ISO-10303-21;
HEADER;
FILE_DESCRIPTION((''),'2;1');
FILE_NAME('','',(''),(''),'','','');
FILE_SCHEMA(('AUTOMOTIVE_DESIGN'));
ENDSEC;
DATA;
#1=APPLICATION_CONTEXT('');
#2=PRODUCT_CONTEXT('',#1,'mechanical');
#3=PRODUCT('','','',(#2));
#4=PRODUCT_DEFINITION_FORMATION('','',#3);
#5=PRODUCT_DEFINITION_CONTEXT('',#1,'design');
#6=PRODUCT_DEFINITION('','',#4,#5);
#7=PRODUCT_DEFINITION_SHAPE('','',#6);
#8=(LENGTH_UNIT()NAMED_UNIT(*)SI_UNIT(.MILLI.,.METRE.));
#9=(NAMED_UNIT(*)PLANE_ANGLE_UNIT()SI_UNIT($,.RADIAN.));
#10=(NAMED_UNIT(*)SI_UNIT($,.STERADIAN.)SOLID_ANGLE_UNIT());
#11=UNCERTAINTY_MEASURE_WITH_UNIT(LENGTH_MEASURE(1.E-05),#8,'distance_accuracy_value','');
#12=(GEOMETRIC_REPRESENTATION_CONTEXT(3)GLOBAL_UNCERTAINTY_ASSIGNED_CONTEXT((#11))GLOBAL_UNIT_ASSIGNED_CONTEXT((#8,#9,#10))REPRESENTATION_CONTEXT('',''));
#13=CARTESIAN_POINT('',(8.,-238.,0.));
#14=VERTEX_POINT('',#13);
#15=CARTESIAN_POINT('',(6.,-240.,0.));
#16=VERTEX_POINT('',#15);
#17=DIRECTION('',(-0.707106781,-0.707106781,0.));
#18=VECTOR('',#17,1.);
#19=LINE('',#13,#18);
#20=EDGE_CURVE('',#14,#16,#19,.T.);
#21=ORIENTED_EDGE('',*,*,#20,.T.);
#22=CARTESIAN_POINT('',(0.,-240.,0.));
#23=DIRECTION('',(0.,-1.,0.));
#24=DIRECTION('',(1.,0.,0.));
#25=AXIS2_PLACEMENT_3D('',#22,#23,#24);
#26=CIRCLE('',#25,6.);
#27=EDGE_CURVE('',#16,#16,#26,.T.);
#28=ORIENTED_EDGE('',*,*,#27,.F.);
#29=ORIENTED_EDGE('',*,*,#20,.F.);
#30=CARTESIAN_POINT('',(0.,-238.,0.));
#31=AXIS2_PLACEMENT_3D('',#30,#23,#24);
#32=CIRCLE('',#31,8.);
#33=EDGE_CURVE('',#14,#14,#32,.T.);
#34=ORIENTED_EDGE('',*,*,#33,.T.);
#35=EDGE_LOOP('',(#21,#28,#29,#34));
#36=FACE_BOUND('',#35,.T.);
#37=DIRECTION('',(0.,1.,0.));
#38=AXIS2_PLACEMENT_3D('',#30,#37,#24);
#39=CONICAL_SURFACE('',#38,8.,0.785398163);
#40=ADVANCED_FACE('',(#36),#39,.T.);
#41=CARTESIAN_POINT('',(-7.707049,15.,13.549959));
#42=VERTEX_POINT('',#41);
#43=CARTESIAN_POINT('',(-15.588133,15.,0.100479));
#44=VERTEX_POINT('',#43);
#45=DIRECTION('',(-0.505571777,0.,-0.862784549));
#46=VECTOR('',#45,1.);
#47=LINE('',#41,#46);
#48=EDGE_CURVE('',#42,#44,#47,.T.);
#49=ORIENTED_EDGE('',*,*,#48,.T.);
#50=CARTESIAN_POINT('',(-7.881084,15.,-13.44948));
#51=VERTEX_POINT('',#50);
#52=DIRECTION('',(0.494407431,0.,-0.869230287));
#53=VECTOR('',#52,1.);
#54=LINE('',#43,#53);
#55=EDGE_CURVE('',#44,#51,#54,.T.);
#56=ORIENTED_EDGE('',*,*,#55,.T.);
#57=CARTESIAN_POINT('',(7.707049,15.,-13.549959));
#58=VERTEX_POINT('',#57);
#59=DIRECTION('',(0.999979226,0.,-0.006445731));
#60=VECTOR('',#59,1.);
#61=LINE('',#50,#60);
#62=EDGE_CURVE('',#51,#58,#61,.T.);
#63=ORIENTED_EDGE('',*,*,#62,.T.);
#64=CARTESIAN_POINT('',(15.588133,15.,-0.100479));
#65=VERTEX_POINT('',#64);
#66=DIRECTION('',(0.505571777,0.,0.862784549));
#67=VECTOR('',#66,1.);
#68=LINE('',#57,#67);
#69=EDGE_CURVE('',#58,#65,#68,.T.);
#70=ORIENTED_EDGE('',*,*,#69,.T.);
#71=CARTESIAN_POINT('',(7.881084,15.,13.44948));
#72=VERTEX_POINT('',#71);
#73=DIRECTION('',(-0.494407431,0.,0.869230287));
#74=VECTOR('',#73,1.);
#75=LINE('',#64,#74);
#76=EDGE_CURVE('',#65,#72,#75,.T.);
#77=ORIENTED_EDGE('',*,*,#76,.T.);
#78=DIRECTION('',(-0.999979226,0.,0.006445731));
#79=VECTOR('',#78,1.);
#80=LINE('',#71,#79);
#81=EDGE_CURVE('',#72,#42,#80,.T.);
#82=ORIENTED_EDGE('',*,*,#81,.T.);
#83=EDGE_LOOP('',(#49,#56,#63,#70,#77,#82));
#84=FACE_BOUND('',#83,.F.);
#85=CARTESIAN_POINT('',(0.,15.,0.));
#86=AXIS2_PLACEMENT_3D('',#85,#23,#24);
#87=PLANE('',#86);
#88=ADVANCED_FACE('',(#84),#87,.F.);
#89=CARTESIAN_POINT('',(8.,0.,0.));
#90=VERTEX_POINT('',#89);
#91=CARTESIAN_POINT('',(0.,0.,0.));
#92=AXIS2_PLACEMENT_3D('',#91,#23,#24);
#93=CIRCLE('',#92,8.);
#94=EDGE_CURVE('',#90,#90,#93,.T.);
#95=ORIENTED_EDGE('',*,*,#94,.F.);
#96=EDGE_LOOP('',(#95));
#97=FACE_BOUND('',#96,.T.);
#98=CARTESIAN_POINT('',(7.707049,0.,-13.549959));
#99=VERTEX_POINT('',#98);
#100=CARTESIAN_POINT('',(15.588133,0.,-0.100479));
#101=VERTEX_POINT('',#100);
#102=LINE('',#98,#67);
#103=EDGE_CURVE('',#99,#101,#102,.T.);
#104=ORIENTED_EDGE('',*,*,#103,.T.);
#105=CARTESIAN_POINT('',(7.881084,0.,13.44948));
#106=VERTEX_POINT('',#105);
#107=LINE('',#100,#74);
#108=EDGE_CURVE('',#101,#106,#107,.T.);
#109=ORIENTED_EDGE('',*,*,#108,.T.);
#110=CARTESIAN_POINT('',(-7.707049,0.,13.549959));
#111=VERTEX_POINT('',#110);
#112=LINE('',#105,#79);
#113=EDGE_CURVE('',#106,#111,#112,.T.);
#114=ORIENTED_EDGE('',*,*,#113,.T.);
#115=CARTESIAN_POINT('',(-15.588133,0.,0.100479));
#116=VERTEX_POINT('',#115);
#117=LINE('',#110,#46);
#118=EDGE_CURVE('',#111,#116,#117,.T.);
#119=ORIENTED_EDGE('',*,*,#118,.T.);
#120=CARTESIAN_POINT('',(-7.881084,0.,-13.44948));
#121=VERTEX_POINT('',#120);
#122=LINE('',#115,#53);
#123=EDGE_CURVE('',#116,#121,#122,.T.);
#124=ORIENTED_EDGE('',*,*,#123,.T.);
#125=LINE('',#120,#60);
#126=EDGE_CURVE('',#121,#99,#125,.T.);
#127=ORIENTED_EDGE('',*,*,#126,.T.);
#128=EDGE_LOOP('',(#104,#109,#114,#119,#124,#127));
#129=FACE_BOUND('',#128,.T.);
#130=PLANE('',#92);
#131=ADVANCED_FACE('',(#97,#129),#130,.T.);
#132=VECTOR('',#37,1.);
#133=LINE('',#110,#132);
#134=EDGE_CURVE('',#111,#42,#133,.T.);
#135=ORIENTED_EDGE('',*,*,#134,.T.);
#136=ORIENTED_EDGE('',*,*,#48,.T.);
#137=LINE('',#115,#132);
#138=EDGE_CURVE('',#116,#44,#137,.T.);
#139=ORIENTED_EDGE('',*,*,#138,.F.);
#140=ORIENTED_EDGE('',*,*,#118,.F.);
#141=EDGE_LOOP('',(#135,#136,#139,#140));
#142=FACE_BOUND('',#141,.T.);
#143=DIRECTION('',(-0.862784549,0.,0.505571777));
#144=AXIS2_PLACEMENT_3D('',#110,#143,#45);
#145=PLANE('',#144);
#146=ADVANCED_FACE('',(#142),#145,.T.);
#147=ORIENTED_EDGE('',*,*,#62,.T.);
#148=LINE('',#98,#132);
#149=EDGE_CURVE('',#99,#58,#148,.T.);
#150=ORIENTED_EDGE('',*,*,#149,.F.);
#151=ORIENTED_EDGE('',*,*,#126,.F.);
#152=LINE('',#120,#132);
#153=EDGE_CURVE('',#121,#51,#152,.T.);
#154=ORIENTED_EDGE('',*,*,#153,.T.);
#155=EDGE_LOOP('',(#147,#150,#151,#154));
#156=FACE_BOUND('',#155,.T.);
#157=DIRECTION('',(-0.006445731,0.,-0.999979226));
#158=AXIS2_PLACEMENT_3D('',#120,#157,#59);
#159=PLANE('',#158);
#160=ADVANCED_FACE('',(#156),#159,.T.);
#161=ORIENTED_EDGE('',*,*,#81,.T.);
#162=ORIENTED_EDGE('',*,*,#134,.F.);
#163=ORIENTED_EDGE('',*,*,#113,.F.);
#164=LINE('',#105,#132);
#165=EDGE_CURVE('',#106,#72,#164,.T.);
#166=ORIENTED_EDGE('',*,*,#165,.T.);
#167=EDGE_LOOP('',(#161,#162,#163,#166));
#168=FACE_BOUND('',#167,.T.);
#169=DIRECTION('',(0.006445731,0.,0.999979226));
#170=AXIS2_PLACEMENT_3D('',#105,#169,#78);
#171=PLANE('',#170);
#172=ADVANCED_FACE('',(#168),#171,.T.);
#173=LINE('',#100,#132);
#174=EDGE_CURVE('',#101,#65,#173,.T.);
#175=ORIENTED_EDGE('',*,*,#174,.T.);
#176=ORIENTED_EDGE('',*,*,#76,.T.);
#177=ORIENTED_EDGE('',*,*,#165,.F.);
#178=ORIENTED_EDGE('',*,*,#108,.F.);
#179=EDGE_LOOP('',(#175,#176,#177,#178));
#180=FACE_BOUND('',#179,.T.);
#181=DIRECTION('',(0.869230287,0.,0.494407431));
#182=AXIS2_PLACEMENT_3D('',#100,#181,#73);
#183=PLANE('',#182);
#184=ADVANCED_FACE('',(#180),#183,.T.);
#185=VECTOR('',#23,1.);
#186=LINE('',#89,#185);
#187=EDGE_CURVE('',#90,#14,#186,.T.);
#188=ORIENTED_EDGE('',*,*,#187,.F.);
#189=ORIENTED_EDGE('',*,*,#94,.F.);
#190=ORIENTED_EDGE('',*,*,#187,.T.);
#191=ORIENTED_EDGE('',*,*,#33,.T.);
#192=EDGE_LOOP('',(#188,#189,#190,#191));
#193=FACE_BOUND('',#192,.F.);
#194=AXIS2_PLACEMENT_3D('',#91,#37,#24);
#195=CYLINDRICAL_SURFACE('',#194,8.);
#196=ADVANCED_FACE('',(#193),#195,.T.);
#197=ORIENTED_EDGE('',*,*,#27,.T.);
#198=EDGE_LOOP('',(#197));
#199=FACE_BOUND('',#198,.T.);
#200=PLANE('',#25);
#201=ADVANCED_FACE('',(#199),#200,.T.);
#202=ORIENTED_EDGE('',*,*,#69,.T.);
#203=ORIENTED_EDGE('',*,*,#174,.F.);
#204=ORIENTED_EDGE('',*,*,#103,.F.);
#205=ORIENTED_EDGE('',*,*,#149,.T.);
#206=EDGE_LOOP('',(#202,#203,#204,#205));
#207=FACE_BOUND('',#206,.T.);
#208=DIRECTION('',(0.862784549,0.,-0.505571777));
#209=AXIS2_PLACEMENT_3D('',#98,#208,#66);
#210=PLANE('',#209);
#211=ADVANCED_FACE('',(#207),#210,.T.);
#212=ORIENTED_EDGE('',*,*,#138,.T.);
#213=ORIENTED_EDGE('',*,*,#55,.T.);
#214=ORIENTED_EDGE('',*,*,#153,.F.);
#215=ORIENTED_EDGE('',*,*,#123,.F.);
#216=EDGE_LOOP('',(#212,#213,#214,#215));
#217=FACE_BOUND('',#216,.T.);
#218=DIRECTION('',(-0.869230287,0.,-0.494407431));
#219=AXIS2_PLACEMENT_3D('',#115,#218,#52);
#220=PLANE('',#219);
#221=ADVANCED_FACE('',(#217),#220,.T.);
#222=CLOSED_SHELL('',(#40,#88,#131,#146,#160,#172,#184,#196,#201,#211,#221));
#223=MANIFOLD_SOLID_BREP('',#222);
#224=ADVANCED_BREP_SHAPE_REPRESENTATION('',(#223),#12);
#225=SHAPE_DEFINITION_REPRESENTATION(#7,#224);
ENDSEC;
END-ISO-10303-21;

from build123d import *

# Parameters (mm, degrees)
F1_DEPTH = 15
F2_R     = 8
F3_DEPTH = 240
F4_SIZE  = 2


with BuildPart() as f1:
    # F0 (on Front) → F1 (new body)
    with BuildSketch(Plane.XZ):
        Polygon((-15.588133, 0.100479), (-7.881084, -13.44948), (7.707049, -13.549959), (15.588133, -0.100479), (7.881084, 13.44948), (-7.707049, 13.549959), align=None)
    extrude(amount=-F1_DEPTH)

    # F2 (on face) → F3 (join)
    with BuildSketch(Plane.XZ):
        Circle(F2_R)
    extrude(amount=F3_DEPTH)

    # F4
    f4_edges = [f1.edges().sort_by_distance(p)[0] for p in [
        (-8, -240, 0),
    ]]
    chamfer(f4_edges, length=F4_SIZE)


solid = f1.part
